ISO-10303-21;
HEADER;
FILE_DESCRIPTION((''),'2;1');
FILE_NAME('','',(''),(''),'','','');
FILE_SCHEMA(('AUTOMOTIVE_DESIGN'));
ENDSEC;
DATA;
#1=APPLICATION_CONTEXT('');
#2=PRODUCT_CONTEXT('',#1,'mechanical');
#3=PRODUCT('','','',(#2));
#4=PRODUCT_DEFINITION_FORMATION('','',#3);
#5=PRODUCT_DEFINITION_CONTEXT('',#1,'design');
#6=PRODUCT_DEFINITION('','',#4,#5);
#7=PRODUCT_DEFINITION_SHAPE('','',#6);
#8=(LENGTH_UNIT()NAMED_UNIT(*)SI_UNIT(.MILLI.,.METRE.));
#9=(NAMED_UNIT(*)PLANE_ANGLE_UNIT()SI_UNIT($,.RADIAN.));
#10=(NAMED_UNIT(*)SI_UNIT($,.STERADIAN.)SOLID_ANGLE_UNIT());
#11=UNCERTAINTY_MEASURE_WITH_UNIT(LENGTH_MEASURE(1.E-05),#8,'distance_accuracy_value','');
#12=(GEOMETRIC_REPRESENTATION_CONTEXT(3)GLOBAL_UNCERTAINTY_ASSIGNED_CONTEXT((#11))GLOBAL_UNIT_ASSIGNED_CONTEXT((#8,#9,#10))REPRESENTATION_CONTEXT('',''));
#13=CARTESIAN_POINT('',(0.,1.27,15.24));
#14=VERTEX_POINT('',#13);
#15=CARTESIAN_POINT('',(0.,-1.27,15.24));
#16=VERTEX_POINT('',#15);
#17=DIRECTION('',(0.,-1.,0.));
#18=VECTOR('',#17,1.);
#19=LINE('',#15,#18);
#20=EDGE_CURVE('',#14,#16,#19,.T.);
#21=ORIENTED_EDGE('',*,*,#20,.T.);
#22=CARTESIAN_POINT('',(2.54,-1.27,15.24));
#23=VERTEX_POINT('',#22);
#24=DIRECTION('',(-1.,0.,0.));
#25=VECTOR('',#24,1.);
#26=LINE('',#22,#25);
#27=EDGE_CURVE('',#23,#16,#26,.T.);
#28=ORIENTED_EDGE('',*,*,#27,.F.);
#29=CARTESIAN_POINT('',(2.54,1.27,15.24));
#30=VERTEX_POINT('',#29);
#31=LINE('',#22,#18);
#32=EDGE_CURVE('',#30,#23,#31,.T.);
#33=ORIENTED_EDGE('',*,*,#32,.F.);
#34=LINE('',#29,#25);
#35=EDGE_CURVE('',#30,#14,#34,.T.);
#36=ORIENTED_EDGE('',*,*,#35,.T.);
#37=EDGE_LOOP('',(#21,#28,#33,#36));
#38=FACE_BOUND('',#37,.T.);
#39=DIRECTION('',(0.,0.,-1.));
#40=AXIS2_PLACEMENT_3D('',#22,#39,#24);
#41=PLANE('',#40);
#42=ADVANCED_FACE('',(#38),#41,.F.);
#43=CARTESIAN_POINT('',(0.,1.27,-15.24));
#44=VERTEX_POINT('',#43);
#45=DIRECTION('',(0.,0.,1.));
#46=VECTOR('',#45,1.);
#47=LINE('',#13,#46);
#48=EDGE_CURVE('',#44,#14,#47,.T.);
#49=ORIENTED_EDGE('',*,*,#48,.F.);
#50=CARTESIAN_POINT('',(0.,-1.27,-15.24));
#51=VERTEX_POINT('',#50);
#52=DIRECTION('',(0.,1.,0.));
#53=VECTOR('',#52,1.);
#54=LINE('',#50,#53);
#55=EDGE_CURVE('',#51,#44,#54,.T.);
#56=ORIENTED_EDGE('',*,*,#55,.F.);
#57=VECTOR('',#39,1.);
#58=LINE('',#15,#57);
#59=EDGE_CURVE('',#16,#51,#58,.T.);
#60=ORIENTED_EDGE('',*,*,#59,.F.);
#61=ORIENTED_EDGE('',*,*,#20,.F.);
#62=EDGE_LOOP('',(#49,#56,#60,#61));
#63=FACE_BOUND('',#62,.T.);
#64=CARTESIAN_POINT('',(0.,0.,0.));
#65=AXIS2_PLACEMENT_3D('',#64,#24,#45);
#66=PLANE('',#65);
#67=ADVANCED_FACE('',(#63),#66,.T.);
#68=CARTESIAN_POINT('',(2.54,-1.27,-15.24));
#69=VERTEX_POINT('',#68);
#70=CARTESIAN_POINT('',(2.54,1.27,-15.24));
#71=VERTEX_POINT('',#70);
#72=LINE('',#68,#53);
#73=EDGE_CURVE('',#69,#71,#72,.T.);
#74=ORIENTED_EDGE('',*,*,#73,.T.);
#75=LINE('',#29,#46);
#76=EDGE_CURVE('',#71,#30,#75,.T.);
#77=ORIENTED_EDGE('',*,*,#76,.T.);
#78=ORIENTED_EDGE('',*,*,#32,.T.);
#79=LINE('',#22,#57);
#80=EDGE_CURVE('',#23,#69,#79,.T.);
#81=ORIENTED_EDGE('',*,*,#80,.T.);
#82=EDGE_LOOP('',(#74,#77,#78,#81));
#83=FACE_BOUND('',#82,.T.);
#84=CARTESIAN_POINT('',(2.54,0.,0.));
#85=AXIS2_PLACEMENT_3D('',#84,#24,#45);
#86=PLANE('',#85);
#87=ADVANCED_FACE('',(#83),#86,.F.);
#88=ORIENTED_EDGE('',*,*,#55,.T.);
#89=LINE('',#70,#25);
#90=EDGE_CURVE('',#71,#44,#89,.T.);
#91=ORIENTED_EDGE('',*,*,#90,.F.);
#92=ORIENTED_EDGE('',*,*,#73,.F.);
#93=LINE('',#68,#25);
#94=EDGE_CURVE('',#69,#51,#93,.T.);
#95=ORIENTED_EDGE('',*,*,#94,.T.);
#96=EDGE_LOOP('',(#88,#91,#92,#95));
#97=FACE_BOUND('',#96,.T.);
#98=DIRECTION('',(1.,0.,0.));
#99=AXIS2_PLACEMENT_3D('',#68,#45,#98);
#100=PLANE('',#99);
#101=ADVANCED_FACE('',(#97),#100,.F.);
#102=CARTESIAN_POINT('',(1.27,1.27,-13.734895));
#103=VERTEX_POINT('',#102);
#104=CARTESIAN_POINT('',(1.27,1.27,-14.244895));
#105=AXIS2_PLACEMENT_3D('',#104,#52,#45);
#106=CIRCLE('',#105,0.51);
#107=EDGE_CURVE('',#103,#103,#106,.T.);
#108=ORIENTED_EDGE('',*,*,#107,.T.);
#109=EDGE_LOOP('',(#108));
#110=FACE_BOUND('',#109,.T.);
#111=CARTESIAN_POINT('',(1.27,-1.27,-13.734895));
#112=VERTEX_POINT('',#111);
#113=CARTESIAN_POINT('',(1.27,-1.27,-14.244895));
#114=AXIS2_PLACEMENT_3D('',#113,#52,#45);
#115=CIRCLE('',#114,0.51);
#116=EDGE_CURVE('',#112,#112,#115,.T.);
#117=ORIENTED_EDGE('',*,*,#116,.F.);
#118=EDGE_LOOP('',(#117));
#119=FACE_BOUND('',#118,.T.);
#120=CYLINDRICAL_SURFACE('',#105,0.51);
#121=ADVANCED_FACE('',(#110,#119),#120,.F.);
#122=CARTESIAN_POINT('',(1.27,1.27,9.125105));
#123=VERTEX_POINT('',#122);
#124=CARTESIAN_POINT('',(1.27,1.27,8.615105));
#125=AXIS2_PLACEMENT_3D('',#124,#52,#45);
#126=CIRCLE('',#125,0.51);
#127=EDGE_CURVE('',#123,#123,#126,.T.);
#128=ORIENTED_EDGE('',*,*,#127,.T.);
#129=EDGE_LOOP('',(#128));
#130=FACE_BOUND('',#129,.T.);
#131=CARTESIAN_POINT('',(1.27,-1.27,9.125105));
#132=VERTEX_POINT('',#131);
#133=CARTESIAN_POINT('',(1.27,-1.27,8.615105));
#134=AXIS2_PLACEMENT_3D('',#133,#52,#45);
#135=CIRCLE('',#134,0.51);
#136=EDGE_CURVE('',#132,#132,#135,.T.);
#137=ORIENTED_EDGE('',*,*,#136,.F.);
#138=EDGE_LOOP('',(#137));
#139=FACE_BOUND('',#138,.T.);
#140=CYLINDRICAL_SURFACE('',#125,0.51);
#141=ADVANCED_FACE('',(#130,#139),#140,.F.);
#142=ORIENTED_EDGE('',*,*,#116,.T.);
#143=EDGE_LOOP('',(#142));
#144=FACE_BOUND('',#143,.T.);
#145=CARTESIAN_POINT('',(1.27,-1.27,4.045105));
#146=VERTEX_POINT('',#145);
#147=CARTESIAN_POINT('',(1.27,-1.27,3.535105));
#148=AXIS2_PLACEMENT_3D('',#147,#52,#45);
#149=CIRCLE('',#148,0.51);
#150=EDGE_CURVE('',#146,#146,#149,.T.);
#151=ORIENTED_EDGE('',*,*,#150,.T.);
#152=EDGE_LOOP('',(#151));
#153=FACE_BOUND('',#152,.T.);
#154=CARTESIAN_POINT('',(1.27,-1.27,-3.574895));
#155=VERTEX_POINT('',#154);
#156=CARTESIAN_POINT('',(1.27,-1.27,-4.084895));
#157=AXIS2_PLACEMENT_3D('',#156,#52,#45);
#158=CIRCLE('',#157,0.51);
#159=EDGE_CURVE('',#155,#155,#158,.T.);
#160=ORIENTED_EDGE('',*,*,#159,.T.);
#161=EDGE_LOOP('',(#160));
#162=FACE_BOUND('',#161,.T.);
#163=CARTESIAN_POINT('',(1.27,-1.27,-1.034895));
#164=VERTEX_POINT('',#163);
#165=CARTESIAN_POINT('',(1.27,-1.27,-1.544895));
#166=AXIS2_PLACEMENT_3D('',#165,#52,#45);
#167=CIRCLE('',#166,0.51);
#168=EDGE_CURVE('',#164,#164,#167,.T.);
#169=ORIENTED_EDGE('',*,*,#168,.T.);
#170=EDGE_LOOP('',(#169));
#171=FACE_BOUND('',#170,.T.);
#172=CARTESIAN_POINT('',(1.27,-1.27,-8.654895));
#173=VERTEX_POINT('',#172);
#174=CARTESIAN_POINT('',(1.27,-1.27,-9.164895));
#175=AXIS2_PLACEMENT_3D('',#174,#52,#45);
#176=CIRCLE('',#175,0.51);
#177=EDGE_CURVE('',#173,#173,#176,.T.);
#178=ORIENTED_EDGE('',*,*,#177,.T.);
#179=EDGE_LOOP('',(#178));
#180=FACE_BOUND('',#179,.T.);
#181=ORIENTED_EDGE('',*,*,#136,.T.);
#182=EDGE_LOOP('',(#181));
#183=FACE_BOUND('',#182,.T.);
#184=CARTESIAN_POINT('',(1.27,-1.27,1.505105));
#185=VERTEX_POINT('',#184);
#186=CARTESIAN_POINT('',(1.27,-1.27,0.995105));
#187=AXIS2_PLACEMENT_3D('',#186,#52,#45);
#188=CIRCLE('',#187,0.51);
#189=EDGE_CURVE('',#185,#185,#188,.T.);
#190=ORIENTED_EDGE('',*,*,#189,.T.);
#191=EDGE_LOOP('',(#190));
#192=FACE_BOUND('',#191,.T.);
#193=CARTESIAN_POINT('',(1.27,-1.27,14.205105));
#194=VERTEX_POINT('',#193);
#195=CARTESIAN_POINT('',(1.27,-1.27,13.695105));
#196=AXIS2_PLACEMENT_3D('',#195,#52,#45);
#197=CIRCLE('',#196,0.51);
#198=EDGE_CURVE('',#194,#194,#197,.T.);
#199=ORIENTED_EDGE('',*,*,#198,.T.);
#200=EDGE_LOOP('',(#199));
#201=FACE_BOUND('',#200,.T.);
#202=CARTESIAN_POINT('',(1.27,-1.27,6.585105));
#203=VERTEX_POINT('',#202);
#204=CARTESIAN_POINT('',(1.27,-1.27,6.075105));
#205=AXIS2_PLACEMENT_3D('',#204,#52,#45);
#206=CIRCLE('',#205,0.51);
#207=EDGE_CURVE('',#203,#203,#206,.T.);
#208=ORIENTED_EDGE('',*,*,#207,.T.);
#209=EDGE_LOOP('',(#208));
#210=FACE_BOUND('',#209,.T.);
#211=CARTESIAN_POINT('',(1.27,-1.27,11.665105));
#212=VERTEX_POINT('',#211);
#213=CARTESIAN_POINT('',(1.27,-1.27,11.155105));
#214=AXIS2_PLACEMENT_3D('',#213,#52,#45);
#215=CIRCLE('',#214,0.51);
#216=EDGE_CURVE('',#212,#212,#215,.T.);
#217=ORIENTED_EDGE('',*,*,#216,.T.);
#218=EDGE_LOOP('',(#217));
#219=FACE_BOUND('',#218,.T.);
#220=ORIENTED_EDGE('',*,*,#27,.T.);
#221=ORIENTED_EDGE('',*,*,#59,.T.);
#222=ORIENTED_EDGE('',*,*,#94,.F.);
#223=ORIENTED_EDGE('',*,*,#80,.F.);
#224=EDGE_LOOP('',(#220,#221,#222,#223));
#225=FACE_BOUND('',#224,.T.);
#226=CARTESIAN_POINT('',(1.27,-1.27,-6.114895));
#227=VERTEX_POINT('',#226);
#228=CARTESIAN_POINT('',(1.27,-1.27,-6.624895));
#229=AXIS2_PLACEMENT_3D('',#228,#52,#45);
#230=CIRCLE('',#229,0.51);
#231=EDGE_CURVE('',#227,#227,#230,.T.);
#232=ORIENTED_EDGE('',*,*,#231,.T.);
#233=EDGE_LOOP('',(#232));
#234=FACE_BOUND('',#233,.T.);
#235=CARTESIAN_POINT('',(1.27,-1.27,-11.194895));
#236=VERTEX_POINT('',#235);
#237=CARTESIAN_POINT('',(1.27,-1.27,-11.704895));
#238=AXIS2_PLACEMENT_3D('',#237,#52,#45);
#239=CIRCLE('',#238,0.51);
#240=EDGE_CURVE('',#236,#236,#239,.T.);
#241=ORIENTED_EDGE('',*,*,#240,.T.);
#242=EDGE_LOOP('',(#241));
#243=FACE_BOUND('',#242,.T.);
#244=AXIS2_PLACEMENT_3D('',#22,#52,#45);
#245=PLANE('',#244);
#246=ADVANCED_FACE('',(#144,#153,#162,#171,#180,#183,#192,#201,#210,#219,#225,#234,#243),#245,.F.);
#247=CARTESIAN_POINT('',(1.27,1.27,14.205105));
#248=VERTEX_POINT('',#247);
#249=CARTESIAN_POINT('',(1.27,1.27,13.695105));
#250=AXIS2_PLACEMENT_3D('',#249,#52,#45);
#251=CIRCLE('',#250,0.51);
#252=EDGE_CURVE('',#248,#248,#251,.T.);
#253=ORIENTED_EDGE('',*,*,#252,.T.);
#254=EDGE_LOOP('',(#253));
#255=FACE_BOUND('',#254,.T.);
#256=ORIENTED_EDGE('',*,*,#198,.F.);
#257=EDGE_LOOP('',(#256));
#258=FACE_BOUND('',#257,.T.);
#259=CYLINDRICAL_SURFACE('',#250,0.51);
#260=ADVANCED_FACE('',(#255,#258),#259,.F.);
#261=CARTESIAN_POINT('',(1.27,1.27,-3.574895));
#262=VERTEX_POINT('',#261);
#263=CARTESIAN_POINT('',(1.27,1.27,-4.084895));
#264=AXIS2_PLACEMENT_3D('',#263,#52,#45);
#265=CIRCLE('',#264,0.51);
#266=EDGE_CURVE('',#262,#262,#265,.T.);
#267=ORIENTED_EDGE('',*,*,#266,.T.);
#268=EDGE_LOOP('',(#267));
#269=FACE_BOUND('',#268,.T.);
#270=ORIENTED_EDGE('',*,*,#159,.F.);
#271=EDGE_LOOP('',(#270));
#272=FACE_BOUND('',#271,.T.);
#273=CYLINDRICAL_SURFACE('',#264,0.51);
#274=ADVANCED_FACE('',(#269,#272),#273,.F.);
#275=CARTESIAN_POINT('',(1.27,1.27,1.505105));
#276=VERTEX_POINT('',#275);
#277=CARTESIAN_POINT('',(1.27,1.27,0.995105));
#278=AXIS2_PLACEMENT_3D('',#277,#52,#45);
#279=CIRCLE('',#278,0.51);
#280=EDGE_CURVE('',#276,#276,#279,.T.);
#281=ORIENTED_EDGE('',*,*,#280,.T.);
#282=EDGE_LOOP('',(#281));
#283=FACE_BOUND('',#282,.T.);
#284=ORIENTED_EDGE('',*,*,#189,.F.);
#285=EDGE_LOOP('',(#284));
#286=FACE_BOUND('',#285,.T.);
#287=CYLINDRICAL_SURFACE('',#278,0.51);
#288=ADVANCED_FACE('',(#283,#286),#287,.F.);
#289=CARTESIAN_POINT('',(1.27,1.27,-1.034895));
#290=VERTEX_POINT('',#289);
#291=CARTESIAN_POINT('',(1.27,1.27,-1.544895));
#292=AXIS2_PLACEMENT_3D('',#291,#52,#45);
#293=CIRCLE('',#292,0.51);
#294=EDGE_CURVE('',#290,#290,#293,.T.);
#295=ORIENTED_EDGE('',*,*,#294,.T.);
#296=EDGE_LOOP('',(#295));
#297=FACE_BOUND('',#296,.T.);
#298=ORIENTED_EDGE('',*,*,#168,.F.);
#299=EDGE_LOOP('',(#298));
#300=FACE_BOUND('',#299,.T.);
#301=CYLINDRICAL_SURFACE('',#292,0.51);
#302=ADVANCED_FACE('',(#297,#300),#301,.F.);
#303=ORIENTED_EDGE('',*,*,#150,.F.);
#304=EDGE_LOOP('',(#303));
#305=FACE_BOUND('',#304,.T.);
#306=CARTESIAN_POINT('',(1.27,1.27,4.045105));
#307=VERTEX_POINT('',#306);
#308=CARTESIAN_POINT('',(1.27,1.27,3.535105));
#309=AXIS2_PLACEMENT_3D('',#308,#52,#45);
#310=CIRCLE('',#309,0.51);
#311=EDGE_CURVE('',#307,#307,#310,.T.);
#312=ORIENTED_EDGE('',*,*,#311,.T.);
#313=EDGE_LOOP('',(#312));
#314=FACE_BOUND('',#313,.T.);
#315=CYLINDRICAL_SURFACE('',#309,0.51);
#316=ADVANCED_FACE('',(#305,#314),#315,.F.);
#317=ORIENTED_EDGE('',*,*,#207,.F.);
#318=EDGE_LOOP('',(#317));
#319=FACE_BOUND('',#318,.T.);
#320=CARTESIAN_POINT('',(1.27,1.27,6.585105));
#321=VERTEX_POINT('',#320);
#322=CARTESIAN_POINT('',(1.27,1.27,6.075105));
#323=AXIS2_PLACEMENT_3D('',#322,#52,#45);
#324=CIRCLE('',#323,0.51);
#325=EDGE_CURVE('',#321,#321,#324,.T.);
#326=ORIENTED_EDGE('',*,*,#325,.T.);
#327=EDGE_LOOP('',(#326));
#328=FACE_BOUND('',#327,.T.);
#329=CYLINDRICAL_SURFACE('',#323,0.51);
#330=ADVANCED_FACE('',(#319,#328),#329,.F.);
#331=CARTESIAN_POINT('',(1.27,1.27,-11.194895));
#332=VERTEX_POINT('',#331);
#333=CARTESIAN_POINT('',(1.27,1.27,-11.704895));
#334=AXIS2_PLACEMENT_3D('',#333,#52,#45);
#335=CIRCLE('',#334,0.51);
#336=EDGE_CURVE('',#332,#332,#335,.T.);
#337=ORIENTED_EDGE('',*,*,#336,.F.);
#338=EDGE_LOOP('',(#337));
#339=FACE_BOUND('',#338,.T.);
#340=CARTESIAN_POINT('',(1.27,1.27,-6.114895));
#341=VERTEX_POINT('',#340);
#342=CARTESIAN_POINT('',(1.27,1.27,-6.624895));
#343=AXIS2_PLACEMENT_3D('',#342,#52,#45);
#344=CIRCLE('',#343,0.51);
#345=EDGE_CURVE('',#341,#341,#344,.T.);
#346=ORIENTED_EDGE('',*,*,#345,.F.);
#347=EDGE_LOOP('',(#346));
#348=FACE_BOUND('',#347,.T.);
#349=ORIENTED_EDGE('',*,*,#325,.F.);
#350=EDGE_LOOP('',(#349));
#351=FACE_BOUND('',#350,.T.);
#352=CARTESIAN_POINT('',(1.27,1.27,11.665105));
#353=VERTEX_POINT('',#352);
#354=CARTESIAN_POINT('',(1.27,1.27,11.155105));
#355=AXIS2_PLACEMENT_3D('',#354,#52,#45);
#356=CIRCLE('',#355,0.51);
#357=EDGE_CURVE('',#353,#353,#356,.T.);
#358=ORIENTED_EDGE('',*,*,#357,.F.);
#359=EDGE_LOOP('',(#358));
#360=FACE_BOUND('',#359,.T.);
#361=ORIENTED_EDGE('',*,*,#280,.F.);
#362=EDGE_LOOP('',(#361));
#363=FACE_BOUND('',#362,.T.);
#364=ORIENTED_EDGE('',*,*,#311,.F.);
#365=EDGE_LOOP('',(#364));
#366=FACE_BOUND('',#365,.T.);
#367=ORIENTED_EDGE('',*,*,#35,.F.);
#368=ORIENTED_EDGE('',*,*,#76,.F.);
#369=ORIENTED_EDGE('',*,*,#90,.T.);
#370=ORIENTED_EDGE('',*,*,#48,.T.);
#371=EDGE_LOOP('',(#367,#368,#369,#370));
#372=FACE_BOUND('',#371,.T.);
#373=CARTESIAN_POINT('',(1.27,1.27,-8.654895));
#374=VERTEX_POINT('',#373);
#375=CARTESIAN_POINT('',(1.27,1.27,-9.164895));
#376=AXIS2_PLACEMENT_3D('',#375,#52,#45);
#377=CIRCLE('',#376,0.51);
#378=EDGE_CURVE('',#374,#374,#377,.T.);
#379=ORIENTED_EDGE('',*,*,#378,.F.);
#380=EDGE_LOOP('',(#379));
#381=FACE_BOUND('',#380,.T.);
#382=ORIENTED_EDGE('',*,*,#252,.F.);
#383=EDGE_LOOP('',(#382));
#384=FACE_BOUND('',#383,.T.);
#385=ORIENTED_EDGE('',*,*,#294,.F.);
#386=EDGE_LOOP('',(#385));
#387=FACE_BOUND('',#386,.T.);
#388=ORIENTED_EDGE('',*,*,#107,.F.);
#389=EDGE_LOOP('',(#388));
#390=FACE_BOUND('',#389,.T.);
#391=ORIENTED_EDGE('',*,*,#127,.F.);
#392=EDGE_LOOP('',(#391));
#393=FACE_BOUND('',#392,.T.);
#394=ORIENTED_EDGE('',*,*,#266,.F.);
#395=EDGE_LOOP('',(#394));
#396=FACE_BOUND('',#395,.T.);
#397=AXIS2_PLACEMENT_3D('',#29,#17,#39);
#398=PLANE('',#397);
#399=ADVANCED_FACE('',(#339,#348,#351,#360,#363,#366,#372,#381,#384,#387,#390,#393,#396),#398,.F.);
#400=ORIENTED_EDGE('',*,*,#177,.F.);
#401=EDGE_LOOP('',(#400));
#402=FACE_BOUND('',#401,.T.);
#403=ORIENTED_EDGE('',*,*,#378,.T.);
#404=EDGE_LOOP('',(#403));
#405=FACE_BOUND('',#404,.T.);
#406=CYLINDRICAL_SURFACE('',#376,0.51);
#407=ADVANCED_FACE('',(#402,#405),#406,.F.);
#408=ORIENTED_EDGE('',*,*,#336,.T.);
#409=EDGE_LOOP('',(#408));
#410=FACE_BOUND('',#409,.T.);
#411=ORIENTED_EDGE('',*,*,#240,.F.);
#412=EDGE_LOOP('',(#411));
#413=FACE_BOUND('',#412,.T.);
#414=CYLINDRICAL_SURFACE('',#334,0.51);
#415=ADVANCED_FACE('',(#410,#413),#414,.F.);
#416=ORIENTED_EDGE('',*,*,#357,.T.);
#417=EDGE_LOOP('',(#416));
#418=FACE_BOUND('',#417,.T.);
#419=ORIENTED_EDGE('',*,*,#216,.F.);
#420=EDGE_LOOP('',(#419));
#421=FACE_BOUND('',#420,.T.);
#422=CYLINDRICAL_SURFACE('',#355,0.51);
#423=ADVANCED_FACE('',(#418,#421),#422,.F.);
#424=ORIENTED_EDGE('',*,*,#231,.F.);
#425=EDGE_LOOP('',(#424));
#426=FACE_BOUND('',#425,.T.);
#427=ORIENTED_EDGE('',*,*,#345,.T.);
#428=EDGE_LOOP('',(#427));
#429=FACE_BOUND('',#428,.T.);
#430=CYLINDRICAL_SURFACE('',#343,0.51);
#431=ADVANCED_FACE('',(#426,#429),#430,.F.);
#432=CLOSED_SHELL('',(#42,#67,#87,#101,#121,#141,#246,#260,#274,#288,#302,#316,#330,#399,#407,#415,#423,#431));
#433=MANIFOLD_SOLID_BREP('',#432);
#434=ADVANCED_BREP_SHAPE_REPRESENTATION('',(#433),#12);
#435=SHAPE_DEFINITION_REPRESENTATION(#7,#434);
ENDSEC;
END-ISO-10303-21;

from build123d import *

# Parameters (mm, degrees)
SKETCH1_W             = 30.48
SKETCH1_H             = 2.54
BOSS_EXTRUDE1_DEPTH   = 2.54
F_1_0MM_DOWEL_HOLE2_D = 1.02
LPATTERN2_COUNT       = 12
LPATTERN2_PITCH       = 2.54


with BuildPart() as part:
    # Sketch1 → Boss-Extrude1 (new body)
    with BuildSketch(Plane(origin=(0, 0, 0), x_dir=(0, 0, -1), z_dir=(1, 0, 0))):
        Rectangle(SKETCH1_W, SKETCH1_H)
    extrude(amount=BOSS_EXTRUDE1_DEPTH)

    # Ø1.0mm Dowel Hole2 (through all)
    with Locations(Plane(origin=(0, 1.27, 0), x_dir=(1, 0, 0), z_dir=(0, 1, 0))):
        with Locations((1.27, -13.695105369)):
            f_1_0mm_dowel_hole2 = Hole(F_1_0MM_DOWEL_HOLE2_D / 2)

    # LPattern2: Ø1.0mm Dowel Hole2 ×12
    with Locations(*[(0, 0, -i * LPATTERN2_PITCH) for i in range(1, LPATTERN2_COUNT)]):
        add(f_1_0mm_dowel_hole2, mode=Mode.SUBTRACT)


solid = part.part
